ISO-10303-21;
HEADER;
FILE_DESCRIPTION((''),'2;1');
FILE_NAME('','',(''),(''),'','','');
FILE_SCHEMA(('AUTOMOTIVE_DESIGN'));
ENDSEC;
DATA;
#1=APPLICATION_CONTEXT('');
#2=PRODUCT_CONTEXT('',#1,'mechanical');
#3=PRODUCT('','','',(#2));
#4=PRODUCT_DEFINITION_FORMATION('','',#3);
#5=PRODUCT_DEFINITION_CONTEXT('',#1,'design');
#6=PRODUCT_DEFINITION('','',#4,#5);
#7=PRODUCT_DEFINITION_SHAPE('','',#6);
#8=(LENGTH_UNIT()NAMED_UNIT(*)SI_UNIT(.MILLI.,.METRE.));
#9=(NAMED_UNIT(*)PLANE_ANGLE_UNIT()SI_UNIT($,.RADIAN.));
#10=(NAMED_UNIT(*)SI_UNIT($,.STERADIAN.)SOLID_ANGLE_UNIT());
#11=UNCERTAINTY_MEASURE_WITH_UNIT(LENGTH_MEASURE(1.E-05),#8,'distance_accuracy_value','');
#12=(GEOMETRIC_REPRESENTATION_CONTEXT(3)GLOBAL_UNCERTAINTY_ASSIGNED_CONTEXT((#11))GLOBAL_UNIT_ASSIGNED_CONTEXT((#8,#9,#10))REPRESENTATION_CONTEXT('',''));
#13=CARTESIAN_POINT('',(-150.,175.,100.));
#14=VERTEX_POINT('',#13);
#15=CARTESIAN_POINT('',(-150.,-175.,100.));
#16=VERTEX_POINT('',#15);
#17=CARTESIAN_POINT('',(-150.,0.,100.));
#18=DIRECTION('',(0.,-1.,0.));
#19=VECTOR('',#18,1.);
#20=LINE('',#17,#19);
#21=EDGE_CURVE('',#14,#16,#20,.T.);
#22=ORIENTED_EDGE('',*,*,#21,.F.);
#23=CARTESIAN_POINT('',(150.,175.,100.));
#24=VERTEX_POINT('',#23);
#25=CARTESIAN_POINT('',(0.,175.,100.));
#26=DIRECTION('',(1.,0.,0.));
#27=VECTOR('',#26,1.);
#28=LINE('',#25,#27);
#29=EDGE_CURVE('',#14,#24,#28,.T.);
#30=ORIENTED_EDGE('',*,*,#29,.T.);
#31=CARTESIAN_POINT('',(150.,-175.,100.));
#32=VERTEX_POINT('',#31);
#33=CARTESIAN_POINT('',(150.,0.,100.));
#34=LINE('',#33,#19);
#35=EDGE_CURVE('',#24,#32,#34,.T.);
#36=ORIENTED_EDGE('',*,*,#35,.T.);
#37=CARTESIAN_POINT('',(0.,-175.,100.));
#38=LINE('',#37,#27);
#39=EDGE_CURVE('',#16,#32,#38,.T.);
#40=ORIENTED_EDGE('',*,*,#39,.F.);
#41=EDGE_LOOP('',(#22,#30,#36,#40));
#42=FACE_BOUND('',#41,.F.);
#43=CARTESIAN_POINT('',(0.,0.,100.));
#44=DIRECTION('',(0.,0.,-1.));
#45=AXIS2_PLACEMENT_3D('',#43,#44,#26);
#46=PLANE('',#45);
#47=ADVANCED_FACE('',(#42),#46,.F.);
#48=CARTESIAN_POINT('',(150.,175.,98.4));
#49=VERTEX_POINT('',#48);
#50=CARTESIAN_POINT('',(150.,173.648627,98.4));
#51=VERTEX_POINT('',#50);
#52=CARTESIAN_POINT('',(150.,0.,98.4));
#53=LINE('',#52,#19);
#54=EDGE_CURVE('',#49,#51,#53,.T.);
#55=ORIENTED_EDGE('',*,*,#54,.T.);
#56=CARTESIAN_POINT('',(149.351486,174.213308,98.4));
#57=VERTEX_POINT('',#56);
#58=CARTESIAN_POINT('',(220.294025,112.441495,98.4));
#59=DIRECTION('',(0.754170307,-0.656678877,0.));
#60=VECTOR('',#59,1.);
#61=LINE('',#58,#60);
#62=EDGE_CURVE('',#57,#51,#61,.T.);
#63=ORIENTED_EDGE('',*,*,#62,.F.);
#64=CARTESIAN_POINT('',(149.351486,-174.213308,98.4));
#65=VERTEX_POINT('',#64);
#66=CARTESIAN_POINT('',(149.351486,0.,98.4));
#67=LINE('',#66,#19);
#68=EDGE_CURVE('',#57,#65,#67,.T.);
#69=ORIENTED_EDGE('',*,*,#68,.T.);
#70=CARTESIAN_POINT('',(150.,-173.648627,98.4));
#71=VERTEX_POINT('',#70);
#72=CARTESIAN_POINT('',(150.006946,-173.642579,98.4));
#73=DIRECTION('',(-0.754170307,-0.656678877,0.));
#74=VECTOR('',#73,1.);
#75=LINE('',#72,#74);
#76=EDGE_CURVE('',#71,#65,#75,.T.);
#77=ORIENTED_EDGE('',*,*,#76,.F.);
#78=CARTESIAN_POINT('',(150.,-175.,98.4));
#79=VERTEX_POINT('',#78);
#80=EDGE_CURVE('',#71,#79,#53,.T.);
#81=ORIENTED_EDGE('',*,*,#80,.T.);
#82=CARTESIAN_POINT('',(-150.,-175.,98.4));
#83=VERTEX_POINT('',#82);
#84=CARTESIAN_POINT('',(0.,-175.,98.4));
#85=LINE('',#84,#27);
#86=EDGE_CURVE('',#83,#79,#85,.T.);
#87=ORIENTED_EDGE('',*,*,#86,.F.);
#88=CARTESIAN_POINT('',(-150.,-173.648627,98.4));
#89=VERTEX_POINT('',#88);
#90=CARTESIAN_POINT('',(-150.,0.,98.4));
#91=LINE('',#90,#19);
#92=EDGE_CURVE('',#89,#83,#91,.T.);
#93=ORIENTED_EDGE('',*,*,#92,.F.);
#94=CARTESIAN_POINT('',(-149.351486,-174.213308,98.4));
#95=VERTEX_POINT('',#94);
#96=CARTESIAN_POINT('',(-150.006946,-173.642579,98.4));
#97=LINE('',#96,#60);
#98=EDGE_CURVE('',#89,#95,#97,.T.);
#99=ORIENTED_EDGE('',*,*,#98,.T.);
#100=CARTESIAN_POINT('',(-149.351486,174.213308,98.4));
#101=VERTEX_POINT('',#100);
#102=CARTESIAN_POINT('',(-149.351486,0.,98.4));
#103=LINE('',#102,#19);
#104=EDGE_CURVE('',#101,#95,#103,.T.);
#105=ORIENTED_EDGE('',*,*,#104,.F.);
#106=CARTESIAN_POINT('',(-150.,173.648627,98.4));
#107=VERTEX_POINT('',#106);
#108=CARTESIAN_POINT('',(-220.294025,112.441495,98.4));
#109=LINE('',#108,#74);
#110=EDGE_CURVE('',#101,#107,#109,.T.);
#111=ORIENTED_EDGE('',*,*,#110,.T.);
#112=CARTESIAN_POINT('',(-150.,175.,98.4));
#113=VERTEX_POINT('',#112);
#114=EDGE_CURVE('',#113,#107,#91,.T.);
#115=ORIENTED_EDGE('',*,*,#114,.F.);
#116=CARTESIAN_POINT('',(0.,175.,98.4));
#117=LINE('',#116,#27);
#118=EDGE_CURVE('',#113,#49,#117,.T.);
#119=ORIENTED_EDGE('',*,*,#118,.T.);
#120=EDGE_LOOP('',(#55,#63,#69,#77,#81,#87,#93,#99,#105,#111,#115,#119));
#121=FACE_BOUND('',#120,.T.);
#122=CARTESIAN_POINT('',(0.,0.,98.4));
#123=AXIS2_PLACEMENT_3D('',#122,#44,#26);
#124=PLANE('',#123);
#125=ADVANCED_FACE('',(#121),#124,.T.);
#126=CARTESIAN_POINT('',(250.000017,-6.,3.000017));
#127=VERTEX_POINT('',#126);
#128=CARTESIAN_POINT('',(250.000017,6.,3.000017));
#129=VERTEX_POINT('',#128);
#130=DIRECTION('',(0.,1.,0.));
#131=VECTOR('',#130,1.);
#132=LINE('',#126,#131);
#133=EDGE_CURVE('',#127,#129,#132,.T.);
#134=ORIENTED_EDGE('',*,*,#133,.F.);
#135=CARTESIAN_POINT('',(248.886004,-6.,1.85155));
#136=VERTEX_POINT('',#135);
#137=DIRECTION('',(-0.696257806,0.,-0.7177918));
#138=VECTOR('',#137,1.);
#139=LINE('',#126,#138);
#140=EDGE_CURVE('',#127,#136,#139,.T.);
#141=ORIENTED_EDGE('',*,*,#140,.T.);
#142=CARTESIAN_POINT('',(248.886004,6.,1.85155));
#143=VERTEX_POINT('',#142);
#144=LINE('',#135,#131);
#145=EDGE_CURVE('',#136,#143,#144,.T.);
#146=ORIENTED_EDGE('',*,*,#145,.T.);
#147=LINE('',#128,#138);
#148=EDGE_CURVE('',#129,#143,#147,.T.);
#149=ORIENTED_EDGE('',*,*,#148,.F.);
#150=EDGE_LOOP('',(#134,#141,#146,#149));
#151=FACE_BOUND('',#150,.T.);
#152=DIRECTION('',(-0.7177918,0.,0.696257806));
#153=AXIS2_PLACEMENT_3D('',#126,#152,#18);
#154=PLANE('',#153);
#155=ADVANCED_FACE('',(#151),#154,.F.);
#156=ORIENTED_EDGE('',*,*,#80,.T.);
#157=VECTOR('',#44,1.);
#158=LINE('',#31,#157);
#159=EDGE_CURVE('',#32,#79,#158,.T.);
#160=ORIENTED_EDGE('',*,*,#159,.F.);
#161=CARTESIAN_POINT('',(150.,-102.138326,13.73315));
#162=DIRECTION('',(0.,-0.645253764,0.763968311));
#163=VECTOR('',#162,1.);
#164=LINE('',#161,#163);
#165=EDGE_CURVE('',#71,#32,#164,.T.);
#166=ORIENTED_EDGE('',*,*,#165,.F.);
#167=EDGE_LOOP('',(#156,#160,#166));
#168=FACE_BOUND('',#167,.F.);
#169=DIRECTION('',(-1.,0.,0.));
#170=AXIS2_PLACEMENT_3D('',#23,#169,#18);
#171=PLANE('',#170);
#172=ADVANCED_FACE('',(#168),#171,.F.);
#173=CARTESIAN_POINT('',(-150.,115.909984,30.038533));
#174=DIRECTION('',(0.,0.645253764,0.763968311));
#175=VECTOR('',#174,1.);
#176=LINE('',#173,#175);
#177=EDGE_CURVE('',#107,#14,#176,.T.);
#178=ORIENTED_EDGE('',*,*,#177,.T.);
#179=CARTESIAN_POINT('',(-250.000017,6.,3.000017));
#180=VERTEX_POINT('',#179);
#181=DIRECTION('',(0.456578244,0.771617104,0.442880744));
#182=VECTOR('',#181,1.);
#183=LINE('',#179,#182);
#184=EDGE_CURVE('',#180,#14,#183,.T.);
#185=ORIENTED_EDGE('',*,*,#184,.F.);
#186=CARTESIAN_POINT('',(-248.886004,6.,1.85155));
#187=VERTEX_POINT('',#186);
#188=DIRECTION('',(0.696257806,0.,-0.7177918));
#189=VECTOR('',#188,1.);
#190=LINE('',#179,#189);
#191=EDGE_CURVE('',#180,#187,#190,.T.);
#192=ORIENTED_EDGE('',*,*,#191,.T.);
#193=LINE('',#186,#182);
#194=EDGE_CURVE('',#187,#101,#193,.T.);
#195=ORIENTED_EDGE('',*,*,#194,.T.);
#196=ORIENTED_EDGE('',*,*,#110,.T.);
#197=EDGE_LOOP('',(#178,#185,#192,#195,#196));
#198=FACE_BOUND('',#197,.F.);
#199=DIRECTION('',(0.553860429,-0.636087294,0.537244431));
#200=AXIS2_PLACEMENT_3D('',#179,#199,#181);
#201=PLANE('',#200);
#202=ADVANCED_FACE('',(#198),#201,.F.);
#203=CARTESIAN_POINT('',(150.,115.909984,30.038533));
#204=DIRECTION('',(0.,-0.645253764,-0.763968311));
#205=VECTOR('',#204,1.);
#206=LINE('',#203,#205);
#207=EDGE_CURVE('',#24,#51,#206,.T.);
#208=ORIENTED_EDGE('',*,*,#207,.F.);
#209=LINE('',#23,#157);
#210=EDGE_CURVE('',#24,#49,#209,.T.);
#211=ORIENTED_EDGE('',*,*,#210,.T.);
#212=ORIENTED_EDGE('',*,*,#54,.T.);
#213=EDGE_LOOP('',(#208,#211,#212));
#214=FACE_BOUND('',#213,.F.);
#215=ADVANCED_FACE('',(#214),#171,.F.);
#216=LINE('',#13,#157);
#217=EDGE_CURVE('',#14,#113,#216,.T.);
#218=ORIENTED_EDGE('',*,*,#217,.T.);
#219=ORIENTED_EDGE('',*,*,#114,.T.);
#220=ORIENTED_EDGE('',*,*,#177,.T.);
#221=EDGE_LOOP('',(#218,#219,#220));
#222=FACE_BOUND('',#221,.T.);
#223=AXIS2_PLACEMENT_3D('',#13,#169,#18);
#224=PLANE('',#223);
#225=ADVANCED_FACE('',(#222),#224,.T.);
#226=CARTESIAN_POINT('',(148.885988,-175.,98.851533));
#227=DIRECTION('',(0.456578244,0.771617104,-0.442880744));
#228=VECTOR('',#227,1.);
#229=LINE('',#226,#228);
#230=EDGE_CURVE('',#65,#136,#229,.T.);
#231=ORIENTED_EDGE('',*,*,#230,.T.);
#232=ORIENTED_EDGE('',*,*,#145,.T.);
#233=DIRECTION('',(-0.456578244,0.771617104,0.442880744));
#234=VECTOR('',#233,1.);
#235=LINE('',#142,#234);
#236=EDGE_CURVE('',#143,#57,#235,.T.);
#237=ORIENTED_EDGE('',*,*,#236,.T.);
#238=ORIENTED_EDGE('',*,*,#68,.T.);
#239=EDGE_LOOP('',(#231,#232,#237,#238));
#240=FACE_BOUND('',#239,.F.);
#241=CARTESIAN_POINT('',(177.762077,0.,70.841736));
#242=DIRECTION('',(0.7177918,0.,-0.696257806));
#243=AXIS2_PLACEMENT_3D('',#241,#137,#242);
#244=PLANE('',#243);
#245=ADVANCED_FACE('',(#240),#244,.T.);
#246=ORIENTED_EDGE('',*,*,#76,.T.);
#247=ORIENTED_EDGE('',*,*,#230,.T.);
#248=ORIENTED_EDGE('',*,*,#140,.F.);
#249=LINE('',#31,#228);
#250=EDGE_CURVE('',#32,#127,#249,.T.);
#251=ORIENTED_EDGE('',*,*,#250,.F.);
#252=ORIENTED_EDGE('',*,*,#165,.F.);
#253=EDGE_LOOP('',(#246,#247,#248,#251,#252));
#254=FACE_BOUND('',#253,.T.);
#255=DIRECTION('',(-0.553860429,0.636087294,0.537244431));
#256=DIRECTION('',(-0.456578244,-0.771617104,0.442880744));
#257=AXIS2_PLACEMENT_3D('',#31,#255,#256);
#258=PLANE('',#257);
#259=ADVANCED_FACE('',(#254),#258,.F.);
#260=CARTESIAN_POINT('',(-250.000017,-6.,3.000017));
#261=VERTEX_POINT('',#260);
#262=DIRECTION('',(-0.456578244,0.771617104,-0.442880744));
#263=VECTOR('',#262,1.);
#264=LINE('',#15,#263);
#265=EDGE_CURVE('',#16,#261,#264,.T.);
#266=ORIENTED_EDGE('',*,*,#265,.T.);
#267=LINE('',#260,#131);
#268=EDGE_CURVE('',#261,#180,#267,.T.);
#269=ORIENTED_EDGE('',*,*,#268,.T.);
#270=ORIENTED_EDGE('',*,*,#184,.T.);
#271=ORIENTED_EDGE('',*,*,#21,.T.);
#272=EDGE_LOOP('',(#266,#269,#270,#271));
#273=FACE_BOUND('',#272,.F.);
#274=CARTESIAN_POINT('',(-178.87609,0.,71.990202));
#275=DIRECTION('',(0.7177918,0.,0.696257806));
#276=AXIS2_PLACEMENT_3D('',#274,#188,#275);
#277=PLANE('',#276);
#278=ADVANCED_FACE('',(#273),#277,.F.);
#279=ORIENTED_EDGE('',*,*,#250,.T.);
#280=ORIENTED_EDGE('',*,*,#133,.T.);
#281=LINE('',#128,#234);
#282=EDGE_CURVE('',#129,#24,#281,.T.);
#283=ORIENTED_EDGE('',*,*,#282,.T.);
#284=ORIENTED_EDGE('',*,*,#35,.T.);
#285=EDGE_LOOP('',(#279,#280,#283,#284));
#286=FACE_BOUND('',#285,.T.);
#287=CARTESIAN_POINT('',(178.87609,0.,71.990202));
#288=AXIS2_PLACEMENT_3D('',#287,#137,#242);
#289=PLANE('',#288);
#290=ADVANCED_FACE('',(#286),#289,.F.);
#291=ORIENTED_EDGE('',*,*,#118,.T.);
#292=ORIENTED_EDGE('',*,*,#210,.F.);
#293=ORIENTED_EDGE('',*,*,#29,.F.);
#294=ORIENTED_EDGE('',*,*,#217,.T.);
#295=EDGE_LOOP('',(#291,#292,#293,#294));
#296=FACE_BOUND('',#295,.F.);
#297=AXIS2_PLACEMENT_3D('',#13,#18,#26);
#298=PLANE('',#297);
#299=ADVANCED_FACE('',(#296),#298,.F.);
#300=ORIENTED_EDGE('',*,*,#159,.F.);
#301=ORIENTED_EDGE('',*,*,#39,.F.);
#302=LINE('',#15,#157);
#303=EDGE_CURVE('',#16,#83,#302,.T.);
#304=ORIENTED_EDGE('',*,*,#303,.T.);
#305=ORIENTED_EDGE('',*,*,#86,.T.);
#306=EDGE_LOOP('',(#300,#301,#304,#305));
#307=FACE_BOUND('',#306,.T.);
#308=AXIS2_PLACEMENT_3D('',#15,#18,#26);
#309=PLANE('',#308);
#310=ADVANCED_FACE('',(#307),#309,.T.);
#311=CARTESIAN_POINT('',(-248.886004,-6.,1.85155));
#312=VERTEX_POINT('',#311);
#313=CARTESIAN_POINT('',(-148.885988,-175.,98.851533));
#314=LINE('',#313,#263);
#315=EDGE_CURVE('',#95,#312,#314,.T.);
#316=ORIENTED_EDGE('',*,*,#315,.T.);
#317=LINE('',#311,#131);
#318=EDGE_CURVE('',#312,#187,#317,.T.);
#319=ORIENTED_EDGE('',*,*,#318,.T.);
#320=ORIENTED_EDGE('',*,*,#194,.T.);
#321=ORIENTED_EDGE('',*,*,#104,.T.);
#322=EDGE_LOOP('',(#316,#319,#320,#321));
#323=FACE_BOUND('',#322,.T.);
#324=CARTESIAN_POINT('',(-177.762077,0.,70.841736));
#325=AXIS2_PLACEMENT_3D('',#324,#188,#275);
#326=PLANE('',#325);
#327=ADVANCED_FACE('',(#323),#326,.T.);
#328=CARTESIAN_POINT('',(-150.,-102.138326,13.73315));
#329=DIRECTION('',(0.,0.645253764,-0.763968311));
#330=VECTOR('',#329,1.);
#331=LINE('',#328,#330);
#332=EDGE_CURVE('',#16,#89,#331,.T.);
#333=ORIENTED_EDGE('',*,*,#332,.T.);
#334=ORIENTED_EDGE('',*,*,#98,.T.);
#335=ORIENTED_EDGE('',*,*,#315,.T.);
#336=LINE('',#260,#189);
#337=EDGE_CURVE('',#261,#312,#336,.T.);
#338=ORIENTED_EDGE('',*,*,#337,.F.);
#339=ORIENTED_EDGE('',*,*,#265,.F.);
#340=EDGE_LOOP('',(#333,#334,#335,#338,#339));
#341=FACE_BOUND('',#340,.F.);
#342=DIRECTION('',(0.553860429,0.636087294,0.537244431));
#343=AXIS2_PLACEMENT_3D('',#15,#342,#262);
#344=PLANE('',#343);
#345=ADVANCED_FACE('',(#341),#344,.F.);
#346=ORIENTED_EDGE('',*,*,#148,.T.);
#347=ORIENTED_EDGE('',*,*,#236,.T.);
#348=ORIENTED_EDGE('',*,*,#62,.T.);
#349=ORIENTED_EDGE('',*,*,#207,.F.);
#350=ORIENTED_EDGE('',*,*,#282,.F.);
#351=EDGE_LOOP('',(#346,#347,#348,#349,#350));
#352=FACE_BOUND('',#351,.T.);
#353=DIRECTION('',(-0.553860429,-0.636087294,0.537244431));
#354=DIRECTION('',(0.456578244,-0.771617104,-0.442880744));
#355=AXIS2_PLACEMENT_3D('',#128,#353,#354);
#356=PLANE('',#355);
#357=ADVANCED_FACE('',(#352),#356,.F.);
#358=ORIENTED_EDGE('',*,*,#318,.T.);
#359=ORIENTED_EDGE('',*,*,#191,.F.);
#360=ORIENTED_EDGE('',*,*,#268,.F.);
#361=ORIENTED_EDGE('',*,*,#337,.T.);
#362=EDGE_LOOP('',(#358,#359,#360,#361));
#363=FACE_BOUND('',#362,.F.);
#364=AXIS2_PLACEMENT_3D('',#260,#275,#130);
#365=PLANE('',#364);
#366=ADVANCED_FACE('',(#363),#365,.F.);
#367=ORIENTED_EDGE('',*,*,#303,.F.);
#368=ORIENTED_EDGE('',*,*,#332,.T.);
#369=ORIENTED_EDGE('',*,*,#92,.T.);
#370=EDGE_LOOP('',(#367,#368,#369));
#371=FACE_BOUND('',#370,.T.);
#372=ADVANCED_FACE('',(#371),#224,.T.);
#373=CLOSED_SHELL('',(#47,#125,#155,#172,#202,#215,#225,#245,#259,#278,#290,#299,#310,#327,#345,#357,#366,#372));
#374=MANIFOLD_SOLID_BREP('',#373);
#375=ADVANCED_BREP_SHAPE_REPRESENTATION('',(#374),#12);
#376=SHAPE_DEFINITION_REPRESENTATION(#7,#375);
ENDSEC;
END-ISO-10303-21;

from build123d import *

# Parameters (mm, degrees)
SKETCH001_W             = 300
SKETCH001_H             = 350
PAD001_DEPTH            = 1.6
PAD002_DEPTH            = 1.6
BODY001_PLACEMENT_ANGLE = 180


with BuildPart() as part:
    # Sketch001 → Pad001 (new body)
    with BuildSketch(Plane.XY):
        Rectangle(SKETCH001_W, SKETCH001_H)
    extrude(amount=PAD001_DEPTH)

    # Sketch002 (on Local_CS) → Pad002 (join)
    with BuildSketch(Plane(origin=(-150, 0, 0), x_dir=(0.717792, 0, -0.696258), z_dir=(0.696258, 0, 0.717792))):
        Polygon((0, -175), (0, 175), (-139.316187, 6), (-139.316187, -6), align=None)
    pad002 = extrude(amount=PAD002_DEPTH)

    # Mirrored: Pad002 across YZ
    add(pad002.mirror(Plane.YZ))


with BuildPart() as part_1:
    # Body001 placement: moved
    add(part.part.moved(Location((0, 0, 100))).rotate(Axis((0, 0, 100), (1, 0, 0)), BODY001_PLACEMENT_ANGLE))


solid = part_1.part
